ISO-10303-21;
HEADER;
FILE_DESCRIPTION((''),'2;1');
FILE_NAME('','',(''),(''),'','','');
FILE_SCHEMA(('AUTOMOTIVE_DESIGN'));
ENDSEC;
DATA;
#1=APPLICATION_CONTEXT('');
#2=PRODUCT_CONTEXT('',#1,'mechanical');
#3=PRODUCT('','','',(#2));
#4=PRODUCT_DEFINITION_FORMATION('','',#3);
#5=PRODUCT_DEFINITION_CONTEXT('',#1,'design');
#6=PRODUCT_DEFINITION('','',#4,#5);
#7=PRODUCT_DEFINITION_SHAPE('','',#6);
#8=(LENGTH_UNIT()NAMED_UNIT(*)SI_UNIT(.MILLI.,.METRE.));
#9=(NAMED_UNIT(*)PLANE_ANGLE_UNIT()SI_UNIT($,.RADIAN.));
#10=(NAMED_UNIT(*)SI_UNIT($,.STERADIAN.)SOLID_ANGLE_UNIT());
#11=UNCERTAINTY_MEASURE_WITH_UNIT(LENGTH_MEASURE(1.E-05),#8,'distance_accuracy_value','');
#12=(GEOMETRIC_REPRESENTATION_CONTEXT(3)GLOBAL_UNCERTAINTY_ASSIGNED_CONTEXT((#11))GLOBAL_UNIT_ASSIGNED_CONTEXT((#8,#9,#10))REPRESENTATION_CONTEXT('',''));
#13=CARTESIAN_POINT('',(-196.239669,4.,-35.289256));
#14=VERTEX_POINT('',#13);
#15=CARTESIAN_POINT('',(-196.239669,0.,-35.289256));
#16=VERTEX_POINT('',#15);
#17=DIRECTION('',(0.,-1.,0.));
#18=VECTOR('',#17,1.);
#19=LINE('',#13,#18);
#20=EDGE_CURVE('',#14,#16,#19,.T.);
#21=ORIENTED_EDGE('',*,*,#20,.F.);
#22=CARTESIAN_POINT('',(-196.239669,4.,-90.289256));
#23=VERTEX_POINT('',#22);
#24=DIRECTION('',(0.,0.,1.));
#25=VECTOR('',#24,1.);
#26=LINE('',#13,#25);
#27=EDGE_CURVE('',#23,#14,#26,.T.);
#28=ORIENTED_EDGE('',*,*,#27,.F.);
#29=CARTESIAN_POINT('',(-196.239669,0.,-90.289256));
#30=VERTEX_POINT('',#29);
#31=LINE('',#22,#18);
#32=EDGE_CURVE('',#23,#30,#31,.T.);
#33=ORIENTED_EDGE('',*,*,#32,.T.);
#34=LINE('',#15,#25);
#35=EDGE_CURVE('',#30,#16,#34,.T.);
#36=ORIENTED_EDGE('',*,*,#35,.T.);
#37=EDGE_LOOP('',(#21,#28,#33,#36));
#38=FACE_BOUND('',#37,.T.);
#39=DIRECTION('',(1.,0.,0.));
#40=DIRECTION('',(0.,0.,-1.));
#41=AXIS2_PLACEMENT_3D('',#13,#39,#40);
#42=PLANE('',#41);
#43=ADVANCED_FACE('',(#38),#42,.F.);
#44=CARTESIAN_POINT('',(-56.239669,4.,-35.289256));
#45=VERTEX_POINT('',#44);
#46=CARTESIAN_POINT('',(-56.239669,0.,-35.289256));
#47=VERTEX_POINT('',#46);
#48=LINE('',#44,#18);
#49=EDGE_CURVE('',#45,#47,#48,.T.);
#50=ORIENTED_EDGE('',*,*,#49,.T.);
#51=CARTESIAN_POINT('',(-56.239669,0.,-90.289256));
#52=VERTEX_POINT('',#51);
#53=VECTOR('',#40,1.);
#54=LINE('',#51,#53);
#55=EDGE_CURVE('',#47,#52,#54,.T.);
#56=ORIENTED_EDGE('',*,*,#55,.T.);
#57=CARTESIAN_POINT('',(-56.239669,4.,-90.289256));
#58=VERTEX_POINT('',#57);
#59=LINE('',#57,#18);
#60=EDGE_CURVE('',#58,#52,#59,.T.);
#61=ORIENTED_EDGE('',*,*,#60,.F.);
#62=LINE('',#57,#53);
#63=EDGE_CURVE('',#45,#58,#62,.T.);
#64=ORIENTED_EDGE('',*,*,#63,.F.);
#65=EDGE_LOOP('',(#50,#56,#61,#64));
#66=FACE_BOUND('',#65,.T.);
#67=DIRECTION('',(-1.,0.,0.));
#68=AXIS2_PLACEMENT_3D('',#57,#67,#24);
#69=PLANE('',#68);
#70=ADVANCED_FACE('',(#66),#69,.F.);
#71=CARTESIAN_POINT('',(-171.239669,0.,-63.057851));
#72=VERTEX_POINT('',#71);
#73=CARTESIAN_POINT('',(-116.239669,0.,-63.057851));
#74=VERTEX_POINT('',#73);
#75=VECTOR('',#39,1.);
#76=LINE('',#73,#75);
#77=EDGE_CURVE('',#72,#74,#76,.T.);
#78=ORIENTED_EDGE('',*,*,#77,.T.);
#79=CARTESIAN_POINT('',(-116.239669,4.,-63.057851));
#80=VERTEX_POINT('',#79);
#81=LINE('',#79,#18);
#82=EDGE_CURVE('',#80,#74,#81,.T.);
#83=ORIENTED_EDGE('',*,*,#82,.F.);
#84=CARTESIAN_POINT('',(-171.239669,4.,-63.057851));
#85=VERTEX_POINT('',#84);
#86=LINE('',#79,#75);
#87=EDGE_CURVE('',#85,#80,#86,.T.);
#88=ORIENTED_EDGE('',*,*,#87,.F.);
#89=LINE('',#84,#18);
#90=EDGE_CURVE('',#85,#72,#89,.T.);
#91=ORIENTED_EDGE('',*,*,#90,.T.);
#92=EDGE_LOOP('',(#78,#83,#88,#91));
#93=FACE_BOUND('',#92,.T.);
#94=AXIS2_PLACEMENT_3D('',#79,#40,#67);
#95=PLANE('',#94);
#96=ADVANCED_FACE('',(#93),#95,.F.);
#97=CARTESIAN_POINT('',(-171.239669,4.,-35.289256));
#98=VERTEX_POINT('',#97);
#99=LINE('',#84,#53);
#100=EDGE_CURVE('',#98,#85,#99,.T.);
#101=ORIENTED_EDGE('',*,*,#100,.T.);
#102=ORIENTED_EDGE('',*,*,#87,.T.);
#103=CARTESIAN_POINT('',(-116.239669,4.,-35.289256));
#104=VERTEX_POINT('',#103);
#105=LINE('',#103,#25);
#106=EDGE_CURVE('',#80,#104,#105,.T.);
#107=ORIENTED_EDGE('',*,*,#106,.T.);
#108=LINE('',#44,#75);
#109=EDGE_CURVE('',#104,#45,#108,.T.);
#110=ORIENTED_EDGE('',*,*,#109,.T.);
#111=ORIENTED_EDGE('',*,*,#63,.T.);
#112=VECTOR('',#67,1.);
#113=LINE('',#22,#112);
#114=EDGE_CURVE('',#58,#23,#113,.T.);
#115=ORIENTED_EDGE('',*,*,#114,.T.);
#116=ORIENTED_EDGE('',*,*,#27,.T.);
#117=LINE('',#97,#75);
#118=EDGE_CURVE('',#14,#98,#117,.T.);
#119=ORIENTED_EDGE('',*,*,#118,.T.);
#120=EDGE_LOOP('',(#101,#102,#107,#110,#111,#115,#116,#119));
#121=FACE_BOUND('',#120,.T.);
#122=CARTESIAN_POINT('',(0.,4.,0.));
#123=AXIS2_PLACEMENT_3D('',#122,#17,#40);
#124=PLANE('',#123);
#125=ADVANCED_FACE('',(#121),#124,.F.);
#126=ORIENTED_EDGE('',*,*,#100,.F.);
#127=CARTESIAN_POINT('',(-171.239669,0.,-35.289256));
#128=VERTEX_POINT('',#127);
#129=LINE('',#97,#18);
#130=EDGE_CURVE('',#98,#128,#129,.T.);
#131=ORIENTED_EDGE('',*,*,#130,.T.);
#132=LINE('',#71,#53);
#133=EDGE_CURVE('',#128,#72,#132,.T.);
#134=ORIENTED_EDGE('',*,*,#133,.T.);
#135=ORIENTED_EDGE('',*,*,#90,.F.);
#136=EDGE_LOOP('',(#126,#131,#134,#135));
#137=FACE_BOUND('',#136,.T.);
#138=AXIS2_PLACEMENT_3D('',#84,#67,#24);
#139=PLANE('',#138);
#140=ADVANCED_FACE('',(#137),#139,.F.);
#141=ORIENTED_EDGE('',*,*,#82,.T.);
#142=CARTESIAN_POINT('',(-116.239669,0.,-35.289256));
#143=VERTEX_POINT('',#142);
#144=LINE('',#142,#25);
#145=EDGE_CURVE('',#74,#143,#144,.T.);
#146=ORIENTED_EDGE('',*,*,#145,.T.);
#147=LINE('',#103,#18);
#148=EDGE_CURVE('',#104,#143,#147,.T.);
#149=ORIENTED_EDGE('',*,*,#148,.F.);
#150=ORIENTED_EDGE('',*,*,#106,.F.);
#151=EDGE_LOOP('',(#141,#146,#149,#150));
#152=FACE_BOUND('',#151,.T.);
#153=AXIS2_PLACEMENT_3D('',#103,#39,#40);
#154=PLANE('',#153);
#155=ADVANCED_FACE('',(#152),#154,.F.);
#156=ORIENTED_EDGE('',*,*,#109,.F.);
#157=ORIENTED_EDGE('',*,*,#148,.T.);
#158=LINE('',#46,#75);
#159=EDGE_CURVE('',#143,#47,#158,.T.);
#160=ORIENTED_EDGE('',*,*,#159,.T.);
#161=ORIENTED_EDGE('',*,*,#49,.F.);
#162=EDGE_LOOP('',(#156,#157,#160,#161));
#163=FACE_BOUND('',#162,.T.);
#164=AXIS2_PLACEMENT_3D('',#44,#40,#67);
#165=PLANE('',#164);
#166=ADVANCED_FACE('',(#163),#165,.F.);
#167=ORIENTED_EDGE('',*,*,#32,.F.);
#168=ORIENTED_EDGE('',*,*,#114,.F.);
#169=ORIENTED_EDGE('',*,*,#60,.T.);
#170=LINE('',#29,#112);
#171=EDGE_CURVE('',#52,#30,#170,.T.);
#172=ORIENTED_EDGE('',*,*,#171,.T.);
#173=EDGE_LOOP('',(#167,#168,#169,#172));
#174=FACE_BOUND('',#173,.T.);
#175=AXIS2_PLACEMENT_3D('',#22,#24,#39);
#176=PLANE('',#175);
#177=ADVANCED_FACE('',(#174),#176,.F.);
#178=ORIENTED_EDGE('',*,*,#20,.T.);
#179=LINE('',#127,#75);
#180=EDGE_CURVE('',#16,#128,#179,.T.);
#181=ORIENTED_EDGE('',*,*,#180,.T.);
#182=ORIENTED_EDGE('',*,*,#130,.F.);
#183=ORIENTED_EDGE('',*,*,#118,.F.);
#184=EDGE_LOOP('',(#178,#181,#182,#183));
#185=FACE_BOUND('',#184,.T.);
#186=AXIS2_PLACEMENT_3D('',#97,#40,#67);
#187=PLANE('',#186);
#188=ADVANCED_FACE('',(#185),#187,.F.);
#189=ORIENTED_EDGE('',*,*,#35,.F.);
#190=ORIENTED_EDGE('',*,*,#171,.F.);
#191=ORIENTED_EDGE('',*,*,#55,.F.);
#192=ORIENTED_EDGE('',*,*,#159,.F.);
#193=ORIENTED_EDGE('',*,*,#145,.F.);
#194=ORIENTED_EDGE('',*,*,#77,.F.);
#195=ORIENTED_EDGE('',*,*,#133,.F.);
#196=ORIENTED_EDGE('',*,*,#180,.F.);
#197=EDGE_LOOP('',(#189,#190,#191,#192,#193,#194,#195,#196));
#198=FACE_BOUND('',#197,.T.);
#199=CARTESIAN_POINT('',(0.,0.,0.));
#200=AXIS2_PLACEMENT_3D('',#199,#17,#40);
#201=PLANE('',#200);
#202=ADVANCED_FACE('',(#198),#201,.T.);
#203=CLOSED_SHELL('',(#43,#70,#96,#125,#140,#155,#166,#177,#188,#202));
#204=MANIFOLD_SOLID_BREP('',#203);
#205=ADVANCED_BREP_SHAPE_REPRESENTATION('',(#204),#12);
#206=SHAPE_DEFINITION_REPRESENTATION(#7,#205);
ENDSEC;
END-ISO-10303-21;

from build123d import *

# Parameters (mm, degrees)
BOSS_EXTRUDE1_DEPTH = 4


with BuildPart() as part:
    # Sketch2 → Boss-Extrude1 (new body)
    with BuildSketch(Plane(origin=(0, 0, 0), x_dir=(1, 0, 0), z_dir=(0, 1, 0))):
        Polygon((-196.239669421, 90.289256198), (-56.239669421, 90.289256198), (-56.239669421, 35.289256198), (-116.239669421, 35.289256198), (-116.239669421, 63.05785124), (-171.239669421, 63.05785124), (-171.239669421, 35.289256198), (-196.239669421, 35.289256198), align=None)
    extrude(amount=BOSS_EXTRUDE1_DEPTH)


solid = part.part
